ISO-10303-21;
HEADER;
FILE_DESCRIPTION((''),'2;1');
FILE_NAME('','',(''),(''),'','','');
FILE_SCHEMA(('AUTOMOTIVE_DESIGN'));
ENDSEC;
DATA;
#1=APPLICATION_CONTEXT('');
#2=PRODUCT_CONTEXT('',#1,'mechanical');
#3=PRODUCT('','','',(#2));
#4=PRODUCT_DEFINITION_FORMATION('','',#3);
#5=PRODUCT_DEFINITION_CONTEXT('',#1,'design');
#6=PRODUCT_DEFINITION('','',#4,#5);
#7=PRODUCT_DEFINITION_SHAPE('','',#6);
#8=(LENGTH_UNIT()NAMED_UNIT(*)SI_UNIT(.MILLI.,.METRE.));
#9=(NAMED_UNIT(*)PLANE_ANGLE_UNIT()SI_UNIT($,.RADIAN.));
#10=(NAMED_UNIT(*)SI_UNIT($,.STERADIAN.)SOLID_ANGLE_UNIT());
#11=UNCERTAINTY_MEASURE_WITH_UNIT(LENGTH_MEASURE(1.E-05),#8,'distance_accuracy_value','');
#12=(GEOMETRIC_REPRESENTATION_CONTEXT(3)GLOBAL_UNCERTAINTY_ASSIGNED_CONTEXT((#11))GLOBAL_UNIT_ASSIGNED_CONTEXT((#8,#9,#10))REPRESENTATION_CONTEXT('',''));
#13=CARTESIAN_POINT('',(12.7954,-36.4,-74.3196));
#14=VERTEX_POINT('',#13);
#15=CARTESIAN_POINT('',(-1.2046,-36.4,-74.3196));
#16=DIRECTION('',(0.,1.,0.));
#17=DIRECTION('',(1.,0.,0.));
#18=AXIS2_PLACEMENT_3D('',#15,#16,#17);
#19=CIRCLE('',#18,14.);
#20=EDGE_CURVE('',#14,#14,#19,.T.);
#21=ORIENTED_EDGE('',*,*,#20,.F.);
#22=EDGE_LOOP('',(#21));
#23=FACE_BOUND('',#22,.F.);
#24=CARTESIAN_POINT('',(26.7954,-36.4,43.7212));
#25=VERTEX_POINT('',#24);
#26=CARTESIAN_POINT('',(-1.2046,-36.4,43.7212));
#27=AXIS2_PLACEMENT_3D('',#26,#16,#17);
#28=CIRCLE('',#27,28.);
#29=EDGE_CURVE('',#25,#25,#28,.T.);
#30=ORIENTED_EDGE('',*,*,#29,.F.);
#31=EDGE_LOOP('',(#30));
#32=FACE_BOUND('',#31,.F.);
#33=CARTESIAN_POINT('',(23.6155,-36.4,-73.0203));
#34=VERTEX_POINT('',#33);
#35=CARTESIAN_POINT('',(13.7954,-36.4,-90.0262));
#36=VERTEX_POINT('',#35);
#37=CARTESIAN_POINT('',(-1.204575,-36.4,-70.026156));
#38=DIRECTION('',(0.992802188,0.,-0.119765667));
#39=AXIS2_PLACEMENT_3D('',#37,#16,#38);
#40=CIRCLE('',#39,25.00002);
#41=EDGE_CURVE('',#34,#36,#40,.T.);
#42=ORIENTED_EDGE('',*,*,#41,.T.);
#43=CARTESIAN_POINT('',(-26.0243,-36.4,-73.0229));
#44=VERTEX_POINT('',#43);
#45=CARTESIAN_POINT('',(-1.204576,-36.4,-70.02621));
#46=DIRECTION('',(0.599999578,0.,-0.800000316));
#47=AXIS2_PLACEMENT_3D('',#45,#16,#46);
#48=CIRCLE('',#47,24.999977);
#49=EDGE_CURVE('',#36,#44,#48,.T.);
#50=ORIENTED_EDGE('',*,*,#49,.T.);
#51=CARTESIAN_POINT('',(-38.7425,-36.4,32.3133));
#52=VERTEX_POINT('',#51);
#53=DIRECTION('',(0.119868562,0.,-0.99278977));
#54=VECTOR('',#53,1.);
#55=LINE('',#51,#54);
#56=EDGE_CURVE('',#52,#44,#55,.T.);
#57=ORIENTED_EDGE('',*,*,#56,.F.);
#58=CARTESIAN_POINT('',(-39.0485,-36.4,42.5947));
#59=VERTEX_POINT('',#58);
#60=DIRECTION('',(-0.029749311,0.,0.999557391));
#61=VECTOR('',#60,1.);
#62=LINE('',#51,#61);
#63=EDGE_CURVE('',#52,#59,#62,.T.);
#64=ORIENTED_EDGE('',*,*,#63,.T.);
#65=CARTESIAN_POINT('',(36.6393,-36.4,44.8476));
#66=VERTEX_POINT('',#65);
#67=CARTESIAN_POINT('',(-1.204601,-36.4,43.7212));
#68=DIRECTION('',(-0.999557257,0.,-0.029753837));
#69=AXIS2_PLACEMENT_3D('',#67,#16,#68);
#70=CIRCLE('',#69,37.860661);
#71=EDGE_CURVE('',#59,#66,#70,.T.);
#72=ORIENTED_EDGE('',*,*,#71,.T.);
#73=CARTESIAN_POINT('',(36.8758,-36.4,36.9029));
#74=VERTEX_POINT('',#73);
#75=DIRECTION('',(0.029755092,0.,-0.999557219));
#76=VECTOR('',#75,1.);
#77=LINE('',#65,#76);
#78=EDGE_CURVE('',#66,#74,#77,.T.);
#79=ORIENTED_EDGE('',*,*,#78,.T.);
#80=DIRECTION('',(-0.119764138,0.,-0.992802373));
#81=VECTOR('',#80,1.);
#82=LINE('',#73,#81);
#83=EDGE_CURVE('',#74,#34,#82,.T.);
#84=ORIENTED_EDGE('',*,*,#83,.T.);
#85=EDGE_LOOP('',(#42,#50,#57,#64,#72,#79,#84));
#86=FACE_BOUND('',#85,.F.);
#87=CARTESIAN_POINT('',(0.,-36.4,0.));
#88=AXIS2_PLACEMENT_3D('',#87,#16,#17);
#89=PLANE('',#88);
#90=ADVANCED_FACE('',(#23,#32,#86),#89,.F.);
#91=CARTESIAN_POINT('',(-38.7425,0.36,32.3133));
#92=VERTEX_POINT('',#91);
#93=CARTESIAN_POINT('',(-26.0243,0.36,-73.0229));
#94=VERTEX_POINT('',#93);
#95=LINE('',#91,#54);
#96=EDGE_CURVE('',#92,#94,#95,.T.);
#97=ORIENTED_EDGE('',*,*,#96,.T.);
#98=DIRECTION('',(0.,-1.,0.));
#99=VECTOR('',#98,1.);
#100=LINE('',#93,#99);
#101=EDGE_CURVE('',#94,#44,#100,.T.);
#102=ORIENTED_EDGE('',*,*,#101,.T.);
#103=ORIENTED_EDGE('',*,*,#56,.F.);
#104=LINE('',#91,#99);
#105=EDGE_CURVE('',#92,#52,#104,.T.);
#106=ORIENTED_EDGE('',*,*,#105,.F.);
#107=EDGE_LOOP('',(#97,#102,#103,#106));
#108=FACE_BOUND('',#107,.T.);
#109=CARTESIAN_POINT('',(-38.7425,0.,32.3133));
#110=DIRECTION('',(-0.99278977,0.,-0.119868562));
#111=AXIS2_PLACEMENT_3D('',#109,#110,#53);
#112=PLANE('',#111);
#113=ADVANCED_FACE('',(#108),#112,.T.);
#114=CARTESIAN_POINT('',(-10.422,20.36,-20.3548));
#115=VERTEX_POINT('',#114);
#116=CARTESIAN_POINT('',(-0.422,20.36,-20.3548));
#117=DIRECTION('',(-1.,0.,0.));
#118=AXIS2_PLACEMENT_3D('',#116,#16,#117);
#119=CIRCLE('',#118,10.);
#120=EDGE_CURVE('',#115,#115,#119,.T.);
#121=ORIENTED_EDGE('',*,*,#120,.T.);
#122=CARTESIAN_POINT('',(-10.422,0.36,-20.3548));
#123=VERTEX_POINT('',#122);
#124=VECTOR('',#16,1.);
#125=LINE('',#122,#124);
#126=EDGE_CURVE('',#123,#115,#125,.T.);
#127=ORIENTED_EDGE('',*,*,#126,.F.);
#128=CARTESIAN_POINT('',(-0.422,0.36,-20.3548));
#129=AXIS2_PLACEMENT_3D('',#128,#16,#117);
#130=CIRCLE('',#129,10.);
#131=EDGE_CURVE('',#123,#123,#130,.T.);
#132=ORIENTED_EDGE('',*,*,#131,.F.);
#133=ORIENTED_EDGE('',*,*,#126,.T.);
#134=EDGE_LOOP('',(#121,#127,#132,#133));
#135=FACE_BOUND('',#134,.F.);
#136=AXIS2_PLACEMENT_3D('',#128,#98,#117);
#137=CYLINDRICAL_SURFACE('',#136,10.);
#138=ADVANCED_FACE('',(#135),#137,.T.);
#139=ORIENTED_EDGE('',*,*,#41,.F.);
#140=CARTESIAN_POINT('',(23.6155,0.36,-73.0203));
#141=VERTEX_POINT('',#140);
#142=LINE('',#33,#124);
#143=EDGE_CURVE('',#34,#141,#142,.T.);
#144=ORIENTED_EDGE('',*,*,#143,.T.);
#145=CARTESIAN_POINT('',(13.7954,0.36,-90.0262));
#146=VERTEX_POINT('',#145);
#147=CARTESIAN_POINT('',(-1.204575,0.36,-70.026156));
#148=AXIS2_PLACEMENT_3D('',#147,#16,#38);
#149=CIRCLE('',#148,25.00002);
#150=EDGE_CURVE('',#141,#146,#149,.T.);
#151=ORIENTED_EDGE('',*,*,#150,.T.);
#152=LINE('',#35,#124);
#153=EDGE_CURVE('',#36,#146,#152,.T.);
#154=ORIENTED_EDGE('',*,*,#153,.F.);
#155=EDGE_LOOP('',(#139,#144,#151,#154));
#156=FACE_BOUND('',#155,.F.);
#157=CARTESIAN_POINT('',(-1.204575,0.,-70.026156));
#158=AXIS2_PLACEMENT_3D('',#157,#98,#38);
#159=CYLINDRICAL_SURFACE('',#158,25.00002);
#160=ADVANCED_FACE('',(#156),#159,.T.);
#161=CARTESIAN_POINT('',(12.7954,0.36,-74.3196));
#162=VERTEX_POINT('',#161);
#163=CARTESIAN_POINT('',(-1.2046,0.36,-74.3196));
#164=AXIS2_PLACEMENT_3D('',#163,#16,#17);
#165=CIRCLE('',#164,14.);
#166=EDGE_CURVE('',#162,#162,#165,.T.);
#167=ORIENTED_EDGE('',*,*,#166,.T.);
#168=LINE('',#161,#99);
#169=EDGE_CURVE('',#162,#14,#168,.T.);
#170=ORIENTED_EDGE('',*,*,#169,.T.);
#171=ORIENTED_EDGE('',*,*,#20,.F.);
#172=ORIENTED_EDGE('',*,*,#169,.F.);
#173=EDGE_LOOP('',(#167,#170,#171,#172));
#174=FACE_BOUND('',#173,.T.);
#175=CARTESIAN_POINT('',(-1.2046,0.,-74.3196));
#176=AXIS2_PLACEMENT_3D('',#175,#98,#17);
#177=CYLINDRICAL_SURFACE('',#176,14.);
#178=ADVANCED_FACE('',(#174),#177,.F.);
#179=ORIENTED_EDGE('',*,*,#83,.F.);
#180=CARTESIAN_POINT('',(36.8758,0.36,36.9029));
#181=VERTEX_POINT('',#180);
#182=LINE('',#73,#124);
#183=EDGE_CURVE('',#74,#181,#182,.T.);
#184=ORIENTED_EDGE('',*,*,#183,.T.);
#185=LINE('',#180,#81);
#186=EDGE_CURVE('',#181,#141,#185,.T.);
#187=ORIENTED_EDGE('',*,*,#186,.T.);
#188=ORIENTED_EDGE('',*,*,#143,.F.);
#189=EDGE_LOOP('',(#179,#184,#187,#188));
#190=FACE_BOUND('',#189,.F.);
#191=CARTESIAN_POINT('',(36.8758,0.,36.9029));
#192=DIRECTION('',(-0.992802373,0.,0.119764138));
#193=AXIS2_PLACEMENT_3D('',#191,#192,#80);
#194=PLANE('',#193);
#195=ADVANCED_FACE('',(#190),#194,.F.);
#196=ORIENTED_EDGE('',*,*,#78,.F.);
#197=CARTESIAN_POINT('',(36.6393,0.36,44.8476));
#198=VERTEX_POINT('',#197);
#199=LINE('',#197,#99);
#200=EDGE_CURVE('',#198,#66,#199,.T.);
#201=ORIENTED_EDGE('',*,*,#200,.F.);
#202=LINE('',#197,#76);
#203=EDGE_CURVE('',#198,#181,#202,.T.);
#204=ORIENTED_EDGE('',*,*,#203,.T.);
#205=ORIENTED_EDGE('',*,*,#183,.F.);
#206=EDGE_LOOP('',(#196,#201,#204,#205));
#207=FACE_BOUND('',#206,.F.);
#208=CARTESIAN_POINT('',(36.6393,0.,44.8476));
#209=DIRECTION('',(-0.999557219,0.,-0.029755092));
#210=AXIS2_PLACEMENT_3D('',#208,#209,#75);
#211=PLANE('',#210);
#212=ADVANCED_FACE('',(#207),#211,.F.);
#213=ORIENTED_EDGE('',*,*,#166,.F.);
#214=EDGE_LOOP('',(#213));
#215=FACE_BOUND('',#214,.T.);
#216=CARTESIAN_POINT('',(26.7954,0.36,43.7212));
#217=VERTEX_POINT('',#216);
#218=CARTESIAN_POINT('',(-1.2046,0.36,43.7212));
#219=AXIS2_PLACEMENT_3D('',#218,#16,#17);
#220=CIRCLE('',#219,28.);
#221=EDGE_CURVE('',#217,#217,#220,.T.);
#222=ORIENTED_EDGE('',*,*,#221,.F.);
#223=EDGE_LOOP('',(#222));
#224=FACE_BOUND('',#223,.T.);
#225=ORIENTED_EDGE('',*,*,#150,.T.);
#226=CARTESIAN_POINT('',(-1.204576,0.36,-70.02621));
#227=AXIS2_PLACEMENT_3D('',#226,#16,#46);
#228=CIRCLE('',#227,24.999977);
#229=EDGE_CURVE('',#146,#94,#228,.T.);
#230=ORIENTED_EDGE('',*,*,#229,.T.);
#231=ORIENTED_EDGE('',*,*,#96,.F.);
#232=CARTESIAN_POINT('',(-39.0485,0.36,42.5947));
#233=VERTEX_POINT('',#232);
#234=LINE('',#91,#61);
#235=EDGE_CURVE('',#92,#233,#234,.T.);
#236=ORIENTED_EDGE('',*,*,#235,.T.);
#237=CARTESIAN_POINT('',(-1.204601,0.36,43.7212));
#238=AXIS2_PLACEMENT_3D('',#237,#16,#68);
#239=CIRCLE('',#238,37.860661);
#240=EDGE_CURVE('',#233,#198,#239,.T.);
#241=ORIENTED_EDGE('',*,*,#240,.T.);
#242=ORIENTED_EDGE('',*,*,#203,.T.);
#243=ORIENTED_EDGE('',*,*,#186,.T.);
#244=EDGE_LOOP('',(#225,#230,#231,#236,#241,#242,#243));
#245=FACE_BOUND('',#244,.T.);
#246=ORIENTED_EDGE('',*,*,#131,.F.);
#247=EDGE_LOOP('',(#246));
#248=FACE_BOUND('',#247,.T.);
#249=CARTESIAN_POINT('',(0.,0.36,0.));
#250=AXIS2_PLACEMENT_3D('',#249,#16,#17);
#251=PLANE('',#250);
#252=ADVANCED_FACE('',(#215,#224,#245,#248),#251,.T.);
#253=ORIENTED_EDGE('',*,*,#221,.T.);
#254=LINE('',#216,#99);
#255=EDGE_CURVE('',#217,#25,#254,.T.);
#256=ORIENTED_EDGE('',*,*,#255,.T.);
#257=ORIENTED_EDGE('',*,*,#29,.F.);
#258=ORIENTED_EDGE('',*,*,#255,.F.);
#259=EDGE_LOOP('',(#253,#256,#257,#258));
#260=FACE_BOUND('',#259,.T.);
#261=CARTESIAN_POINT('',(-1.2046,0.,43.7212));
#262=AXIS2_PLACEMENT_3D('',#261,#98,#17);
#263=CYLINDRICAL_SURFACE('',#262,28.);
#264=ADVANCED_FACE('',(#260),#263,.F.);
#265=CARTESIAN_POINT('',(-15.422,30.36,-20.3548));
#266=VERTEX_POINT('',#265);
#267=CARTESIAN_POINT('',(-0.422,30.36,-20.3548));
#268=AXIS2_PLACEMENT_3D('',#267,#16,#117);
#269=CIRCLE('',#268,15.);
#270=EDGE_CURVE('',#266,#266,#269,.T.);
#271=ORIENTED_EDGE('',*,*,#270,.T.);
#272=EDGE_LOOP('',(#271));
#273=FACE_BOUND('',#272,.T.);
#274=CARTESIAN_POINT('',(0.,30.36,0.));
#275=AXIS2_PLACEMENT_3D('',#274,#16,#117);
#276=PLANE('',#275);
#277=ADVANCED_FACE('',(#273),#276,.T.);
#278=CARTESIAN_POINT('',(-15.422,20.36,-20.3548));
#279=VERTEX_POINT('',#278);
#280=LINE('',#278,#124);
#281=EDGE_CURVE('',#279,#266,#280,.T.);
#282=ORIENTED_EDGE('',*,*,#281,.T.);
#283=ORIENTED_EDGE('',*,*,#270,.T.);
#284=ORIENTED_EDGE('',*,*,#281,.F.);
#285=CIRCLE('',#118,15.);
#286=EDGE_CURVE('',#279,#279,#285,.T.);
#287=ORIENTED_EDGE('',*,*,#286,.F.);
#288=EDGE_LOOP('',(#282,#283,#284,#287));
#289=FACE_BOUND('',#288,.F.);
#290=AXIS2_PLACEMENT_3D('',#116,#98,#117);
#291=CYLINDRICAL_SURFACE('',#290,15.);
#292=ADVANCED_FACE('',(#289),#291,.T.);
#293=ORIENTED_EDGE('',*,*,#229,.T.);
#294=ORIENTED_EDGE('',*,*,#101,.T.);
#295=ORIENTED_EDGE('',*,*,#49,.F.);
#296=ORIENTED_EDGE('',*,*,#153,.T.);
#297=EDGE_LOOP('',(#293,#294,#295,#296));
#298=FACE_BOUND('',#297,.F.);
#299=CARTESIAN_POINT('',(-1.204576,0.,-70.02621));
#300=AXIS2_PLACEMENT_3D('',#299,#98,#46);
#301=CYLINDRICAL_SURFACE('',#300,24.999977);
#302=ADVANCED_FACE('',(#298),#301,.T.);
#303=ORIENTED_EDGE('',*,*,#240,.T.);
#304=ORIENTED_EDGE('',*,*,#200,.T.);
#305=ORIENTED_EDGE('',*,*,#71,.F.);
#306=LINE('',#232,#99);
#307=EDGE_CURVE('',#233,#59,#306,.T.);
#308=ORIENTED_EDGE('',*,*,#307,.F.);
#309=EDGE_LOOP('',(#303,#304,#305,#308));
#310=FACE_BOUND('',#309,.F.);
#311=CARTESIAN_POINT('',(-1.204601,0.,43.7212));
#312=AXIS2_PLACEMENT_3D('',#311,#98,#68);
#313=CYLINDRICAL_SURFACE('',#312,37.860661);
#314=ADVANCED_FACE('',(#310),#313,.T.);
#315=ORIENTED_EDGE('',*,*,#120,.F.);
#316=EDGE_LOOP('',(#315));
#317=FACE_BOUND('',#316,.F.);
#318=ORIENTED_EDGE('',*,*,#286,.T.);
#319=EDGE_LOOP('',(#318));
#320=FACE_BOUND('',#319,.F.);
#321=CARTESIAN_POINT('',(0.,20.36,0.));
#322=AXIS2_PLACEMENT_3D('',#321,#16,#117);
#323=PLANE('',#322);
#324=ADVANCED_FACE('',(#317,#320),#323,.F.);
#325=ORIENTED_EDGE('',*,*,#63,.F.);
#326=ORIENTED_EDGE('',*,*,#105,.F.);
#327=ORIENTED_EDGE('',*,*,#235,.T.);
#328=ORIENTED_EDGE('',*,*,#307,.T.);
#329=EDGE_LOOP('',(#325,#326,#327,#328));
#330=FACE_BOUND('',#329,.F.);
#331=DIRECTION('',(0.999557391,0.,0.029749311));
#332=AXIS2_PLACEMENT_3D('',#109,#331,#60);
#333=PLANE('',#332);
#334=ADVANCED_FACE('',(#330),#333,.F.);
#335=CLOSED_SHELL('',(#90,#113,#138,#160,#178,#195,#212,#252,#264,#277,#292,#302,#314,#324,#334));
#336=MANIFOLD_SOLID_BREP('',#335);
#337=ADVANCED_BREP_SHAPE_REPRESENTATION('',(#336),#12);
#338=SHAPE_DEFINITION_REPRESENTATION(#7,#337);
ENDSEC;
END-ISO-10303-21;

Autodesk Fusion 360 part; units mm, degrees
sketch "Sketch1" plane through (0, 0, 0) normal (0, 1, 0) x (1, 0, 0)
  line L0 (36.8758, -36.9029) -> (23.6155, 73.0203)
  circle A0 centre (-1.2046, -43.7212) radius 28
  line L1 (-38.7425, -32.3133) -> (-39.0485, -42.5947)
  circle A1 centre (-1.2046, 74.3196) radius 14
  arc A2 (23.6155, 73.0203) -> (13.7954, 90.0262) centre (-1.2046, 70.0262) ccw
  arc A3 (13.7954, 90.0262) -> (-26.0243, 73.0229) centre (-1.2046, 70.0262) ccw
  line L2 (36.6393, -44.8476) -> (36.8758, -36.9029)
  line L3 (-38.7425, -32.3133) -> (-26.0243, 73.0229)
  arc A4 (-39.0485, -42.5947) -> (36.6393, -44.8476) centre (-1.2046, -43.7212) ccw
  dimension "d1" = 28
  dimension "d2" = 25
  dimension "d3" = 25
  dimension "d4" = 105.3362
extrude "Extrude1" add sketch "Sketch1" along normal blind 0.36
extrude "Extrude2" add 1 faces at (-27.8097, 0, -6.2933) along direction (0, -1, 0) blind 36.4
sketch "Sketch2" plane through (0, 0.36, 0) normal (0, 1, 0) x (-1, 0, 0)
  circle A0 centre (1.2046, -74.3196) radius 14
  circle A1 centre (1.2046, 43.7212) radius 28
  line L0 (38.7425, 32.3133) -> (39.0485, 42.5947)
  arc A2 (39.0485, 42.5947) -> (-36.6393, 44.8476) centre (1.2046, 43.7212) ccw
  line L1 (-36.6393, 44.8476) -> (-36.8758, 36.9029)
  line L2 (-36.8758, 36.9029) -> (-23.6155, -73.0203)
  arc A3 (-23.6155, -73.0203) -> (26.0243, -73.0229) centre (1.2046, -70.0262) ccw
  line L3 (26.0243, -73.0229) -> (38.7425, 32.3133)
  circle A4 centre (0.422, -20.3548) radius 10
  dimension "d9" = 20
extrude "Extrude3" add sketch "Sketch2" along normal blind 20 contours A4
sketch "Sketch3" plane through (0, 20.36, 0) normal (0, 1, 0) x (-1, 0, 0)
  circle A0 centre (0.422, -20.3548) radius 10
  circle A1 centre (0.422, -20.3548) radius 15
  dimension "d12" = 30
extrude "Extrude4" add sketch "Sketch3" along normal blind 10 contours A0 | A1
